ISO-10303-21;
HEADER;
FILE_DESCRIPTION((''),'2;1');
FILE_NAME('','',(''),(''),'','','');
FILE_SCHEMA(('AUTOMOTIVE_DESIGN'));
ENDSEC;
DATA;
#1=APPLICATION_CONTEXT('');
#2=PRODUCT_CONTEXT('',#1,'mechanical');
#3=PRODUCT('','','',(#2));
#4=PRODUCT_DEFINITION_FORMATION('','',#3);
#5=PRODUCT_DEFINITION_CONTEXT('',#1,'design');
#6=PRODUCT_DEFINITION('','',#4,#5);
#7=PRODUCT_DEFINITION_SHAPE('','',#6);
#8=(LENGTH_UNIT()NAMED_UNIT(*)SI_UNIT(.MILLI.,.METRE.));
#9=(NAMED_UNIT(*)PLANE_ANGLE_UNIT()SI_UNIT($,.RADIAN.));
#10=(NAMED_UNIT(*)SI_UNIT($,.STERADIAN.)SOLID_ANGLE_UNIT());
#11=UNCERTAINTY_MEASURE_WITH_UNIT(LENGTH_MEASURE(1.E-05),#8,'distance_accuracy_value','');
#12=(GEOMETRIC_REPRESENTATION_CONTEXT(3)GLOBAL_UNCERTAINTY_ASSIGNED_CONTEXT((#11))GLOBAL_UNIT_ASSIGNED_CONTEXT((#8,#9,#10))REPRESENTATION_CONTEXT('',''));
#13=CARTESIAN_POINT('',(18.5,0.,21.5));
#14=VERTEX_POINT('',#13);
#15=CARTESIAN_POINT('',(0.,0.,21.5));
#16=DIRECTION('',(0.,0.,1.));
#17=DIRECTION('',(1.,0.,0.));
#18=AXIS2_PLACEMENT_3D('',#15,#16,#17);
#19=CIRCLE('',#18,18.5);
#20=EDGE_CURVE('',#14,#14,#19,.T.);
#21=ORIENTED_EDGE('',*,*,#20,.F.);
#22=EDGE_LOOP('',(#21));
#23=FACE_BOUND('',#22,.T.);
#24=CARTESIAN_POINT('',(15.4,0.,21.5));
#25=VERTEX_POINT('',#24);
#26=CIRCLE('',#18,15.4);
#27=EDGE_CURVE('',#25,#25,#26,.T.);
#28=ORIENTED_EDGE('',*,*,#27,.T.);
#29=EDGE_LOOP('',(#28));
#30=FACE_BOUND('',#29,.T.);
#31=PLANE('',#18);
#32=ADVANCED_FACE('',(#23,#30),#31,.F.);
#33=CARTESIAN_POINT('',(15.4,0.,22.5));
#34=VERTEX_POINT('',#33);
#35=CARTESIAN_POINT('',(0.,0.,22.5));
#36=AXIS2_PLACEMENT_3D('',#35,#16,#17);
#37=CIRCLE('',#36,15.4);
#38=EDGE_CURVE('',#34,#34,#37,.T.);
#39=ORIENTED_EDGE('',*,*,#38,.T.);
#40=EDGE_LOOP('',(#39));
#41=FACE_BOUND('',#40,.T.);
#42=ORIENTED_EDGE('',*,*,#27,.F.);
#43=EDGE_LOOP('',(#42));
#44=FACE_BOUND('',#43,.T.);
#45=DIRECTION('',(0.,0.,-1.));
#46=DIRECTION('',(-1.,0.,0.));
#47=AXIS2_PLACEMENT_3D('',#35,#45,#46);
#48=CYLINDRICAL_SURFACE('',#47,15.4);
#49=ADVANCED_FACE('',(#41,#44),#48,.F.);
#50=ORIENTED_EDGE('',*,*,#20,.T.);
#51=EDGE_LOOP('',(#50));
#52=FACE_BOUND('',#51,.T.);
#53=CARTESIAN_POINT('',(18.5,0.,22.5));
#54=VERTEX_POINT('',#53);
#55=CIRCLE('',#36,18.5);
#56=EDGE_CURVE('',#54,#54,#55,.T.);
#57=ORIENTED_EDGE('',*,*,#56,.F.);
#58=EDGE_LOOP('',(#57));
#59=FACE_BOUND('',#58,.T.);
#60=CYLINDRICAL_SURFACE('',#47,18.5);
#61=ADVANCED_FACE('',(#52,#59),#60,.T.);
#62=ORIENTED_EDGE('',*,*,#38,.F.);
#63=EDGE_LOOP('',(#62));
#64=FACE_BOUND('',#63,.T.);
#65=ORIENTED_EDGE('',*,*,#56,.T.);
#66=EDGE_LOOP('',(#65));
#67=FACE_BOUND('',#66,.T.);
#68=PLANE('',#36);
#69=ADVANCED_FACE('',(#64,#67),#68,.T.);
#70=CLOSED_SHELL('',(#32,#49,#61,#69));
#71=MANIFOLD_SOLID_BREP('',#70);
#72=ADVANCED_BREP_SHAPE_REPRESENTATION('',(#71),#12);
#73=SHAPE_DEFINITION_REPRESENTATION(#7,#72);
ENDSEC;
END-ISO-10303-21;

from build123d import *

# Parameters (mm, degrees)
CIRCLIP_ENVELOPE_START = 21.5
SKETCH_1_R             = 18.5
SKETCH_1_R_2           = 15.4
CIRCLIP_ENVELOPE_DEPTH = 1


with BuildPart() as part:
    # Эскиз1 → Circlip_envelope (new body)
    with BuildSketch(Plane.XY.offset(CIRCLIP_ENVELOPE_START)):
        Circle(SKETCH_1_R)
        Circle(SKETCH_1_R_2, mode=Mode.SUBTRACT)
    extrude(amount=CIRCLIP_ENVELOPE_DEPTH)


solid = part.part
